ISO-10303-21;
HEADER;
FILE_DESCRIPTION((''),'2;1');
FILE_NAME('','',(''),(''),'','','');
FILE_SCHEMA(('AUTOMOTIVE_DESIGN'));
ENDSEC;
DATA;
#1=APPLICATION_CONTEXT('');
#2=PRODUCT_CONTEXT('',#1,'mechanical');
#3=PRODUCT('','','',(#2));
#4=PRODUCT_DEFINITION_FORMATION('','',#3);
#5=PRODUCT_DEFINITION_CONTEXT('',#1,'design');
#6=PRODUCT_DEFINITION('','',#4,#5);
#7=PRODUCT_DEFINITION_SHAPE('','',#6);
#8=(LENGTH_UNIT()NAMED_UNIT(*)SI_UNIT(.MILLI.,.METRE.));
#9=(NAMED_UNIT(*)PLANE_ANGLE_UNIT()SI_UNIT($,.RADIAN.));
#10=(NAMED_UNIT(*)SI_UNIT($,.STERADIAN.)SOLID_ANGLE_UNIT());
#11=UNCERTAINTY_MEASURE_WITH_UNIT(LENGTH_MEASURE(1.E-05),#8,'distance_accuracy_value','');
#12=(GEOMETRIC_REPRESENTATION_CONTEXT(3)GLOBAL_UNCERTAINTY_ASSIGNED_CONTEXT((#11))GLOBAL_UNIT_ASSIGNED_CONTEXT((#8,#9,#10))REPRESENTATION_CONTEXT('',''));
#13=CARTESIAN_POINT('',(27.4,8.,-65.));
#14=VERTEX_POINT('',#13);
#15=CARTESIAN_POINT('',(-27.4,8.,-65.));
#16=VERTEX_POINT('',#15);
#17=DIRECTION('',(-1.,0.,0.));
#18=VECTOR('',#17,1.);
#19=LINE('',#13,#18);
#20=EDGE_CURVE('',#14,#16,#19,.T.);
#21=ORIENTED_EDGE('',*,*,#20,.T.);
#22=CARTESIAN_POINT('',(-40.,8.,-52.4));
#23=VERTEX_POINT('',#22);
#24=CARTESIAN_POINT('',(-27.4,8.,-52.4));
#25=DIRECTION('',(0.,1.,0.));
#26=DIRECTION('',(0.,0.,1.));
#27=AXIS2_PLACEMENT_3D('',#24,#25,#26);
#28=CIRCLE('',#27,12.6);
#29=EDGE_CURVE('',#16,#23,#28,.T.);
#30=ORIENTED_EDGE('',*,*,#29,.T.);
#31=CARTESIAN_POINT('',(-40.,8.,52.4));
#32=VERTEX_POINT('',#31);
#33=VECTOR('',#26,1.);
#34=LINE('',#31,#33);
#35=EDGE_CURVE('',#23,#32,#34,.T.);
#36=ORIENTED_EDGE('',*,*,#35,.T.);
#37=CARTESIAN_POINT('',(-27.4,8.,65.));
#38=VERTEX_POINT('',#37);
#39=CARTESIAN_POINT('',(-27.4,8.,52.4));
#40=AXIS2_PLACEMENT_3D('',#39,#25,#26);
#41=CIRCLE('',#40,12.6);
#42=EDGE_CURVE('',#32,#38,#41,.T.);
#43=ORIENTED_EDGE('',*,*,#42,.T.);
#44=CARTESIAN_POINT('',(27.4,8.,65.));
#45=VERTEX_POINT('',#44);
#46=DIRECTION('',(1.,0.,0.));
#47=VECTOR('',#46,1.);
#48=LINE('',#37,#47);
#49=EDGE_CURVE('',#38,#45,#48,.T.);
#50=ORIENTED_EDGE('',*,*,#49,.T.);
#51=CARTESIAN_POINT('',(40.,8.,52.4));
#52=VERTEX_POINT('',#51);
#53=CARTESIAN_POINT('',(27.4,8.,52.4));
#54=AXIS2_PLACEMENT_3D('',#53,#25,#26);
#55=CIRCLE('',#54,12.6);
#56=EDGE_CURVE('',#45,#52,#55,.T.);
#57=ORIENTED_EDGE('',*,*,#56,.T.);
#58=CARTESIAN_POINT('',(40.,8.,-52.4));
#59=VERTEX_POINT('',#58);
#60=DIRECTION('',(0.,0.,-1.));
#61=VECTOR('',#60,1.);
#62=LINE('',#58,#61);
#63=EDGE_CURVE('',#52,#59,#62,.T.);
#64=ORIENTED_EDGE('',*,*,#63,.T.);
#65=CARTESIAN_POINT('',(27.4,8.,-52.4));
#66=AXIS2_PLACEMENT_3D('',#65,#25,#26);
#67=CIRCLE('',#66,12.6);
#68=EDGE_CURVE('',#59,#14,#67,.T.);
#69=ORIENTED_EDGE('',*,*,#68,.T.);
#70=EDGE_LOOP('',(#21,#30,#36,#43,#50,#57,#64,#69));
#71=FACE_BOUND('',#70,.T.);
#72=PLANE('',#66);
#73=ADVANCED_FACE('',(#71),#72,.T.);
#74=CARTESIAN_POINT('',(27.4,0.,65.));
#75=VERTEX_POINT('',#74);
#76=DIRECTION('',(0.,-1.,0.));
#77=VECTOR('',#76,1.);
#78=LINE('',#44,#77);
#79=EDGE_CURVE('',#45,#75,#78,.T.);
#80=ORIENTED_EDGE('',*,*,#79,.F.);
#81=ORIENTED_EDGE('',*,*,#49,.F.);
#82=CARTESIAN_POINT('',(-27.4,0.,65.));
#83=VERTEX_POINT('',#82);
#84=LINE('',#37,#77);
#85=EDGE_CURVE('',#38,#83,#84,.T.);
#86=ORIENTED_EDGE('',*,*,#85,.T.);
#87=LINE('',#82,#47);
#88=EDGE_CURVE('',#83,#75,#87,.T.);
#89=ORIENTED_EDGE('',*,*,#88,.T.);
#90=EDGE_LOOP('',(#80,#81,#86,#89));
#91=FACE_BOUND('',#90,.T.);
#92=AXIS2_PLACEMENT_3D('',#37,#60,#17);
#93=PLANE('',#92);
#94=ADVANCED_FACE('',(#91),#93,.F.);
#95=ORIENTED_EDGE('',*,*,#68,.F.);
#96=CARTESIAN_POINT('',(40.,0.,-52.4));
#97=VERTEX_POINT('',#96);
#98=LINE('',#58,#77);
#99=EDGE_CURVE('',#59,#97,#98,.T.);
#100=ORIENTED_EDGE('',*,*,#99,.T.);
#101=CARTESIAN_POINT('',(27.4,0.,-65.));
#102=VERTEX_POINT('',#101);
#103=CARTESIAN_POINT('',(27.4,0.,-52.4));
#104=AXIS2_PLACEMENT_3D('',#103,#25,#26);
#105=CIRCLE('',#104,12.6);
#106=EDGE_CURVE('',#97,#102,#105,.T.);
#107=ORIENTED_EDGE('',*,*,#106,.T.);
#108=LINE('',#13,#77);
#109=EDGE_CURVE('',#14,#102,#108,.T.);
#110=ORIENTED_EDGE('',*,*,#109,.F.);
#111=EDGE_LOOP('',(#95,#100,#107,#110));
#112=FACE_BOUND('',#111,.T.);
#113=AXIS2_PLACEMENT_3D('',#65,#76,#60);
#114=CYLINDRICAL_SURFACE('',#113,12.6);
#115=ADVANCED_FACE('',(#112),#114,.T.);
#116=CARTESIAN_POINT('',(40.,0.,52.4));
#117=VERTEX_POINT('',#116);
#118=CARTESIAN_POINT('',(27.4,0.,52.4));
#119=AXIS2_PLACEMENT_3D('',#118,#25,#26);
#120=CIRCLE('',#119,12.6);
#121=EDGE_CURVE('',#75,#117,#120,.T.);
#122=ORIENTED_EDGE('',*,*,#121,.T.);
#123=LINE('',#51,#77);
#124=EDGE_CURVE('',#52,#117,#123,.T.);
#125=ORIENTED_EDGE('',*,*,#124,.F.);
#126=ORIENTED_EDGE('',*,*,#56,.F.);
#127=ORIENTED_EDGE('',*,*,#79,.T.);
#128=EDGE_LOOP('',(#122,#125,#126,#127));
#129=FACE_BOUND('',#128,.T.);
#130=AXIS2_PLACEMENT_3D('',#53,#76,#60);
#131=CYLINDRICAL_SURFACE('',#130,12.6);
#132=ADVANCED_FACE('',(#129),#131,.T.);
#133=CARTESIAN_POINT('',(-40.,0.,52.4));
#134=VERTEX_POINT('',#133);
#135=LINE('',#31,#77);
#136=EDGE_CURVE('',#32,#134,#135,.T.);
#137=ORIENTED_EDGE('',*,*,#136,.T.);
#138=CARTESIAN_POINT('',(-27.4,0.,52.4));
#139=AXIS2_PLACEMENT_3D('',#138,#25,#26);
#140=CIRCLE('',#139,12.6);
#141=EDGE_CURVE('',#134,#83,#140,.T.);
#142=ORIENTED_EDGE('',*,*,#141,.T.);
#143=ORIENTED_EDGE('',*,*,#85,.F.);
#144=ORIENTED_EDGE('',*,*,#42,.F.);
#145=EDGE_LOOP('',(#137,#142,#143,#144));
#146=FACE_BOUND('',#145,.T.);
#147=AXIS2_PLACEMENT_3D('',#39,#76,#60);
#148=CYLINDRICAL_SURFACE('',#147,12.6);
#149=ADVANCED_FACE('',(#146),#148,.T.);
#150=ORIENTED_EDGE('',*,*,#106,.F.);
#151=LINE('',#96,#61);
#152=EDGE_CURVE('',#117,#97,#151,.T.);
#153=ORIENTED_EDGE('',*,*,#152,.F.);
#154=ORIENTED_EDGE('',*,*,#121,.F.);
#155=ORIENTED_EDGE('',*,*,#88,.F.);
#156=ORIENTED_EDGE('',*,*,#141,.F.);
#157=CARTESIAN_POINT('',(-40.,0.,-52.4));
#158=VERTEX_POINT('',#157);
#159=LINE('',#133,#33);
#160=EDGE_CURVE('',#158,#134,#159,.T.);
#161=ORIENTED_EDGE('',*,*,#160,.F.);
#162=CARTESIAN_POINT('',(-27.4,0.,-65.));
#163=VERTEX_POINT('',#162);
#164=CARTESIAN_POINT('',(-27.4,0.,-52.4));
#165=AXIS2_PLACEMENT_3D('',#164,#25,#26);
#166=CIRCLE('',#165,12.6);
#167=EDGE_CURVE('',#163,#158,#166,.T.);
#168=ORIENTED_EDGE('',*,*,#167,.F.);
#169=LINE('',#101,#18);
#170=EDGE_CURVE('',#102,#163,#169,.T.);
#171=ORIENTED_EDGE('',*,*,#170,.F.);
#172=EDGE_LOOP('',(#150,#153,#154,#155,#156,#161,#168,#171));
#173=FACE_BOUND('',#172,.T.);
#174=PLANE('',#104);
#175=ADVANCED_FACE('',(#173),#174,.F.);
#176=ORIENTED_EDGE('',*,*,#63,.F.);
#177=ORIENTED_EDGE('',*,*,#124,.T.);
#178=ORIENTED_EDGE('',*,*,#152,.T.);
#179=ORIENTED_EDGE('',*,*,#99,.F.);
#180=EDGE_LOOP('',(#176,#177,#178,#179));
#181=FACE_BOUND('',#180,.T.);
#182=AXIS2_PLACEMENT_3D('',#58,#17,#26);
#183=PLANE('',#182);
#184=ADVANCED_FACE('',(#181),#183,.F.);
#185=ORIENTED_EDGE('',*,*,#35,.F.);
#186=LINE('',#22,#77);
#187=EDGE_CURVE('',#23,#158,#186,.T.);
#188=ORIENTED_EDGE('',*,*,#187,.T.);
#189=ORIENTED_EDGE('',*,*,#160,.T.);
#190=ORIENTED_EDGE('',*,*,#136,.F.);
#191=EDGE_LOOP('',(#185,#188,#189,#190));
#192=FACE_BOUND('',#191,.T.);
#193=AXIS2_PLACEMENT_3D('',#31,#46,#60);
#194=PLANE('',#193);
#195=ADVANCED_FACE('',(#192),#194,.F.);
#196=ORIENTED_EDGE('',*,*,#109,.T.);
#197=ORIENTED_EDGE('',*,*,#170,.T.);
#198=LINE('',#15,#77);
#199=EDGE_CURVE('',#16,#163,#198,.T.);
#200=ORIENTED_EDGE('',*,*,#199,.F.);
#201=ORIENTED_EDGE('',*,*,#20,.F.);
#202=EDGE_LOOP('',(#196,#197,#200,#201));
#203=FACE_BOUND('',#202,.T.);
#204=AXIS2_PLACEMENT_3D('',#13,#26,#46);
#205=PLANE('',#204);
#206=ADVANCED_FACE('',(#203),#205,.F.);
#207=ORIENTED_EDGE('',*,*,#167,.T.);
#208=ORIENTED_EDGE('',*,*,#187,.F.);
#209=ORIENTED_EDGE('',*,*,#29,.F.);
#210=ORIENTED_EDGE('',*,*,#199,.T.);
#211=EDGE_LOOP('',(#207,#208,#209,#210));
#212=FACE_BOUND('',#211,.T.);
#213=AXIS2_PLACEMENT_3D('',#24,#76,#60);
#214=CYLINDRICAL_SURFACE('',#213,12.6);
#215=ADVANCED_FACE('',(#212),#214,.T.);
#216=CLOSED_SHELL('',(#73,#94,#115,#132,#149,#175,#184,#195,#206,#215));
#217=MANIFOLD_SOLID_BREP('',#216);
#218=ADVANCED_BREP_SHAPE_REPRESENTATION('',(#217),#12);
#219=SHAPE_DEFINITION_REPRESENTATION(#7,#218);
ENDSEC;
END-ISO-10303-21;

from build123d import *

# Parameters (mm, degrees)
AUFSATZ_LINEAR_AUSTRAGEN1_DEPTH = 8


with BuildPart() as part:
    # Skizze1 → Aufsatz-Linear austragen1 (new body)
    with BuildSketch(Plane(origin=(0, 0, 0), x_dir=(1, 0, 0), z_dir=(0, 1, 0))):
        with BuildLine():
            Line((-27.4, -65), (27.4, -65))
            ThreePointArc((27.4, -65), (36.309545443, -61.309545443), (40, -52.4))
            Line((40, -52.4), (40, 52.4))
            ThreePointArc((40, 52.4), (36.309545443, 61.309545443), (27.4, 65))
            Line((27.4, 65), (-27.4, 65))
            ThreePointArc((-27.4, 65), (-36.309545443, 61.309545443), (-40, 52.4))
            Line((-40, 52.4), (-40, -52.4))
            ThreePointArc((-40, -52.4), (-36.309545443, -61.309545443), (-27.4, -65))
        make_face()
    extrude(amount=AUFSATZ_LINEAR_AUSTRAGEN1_DEPTH)


solid = part.part
